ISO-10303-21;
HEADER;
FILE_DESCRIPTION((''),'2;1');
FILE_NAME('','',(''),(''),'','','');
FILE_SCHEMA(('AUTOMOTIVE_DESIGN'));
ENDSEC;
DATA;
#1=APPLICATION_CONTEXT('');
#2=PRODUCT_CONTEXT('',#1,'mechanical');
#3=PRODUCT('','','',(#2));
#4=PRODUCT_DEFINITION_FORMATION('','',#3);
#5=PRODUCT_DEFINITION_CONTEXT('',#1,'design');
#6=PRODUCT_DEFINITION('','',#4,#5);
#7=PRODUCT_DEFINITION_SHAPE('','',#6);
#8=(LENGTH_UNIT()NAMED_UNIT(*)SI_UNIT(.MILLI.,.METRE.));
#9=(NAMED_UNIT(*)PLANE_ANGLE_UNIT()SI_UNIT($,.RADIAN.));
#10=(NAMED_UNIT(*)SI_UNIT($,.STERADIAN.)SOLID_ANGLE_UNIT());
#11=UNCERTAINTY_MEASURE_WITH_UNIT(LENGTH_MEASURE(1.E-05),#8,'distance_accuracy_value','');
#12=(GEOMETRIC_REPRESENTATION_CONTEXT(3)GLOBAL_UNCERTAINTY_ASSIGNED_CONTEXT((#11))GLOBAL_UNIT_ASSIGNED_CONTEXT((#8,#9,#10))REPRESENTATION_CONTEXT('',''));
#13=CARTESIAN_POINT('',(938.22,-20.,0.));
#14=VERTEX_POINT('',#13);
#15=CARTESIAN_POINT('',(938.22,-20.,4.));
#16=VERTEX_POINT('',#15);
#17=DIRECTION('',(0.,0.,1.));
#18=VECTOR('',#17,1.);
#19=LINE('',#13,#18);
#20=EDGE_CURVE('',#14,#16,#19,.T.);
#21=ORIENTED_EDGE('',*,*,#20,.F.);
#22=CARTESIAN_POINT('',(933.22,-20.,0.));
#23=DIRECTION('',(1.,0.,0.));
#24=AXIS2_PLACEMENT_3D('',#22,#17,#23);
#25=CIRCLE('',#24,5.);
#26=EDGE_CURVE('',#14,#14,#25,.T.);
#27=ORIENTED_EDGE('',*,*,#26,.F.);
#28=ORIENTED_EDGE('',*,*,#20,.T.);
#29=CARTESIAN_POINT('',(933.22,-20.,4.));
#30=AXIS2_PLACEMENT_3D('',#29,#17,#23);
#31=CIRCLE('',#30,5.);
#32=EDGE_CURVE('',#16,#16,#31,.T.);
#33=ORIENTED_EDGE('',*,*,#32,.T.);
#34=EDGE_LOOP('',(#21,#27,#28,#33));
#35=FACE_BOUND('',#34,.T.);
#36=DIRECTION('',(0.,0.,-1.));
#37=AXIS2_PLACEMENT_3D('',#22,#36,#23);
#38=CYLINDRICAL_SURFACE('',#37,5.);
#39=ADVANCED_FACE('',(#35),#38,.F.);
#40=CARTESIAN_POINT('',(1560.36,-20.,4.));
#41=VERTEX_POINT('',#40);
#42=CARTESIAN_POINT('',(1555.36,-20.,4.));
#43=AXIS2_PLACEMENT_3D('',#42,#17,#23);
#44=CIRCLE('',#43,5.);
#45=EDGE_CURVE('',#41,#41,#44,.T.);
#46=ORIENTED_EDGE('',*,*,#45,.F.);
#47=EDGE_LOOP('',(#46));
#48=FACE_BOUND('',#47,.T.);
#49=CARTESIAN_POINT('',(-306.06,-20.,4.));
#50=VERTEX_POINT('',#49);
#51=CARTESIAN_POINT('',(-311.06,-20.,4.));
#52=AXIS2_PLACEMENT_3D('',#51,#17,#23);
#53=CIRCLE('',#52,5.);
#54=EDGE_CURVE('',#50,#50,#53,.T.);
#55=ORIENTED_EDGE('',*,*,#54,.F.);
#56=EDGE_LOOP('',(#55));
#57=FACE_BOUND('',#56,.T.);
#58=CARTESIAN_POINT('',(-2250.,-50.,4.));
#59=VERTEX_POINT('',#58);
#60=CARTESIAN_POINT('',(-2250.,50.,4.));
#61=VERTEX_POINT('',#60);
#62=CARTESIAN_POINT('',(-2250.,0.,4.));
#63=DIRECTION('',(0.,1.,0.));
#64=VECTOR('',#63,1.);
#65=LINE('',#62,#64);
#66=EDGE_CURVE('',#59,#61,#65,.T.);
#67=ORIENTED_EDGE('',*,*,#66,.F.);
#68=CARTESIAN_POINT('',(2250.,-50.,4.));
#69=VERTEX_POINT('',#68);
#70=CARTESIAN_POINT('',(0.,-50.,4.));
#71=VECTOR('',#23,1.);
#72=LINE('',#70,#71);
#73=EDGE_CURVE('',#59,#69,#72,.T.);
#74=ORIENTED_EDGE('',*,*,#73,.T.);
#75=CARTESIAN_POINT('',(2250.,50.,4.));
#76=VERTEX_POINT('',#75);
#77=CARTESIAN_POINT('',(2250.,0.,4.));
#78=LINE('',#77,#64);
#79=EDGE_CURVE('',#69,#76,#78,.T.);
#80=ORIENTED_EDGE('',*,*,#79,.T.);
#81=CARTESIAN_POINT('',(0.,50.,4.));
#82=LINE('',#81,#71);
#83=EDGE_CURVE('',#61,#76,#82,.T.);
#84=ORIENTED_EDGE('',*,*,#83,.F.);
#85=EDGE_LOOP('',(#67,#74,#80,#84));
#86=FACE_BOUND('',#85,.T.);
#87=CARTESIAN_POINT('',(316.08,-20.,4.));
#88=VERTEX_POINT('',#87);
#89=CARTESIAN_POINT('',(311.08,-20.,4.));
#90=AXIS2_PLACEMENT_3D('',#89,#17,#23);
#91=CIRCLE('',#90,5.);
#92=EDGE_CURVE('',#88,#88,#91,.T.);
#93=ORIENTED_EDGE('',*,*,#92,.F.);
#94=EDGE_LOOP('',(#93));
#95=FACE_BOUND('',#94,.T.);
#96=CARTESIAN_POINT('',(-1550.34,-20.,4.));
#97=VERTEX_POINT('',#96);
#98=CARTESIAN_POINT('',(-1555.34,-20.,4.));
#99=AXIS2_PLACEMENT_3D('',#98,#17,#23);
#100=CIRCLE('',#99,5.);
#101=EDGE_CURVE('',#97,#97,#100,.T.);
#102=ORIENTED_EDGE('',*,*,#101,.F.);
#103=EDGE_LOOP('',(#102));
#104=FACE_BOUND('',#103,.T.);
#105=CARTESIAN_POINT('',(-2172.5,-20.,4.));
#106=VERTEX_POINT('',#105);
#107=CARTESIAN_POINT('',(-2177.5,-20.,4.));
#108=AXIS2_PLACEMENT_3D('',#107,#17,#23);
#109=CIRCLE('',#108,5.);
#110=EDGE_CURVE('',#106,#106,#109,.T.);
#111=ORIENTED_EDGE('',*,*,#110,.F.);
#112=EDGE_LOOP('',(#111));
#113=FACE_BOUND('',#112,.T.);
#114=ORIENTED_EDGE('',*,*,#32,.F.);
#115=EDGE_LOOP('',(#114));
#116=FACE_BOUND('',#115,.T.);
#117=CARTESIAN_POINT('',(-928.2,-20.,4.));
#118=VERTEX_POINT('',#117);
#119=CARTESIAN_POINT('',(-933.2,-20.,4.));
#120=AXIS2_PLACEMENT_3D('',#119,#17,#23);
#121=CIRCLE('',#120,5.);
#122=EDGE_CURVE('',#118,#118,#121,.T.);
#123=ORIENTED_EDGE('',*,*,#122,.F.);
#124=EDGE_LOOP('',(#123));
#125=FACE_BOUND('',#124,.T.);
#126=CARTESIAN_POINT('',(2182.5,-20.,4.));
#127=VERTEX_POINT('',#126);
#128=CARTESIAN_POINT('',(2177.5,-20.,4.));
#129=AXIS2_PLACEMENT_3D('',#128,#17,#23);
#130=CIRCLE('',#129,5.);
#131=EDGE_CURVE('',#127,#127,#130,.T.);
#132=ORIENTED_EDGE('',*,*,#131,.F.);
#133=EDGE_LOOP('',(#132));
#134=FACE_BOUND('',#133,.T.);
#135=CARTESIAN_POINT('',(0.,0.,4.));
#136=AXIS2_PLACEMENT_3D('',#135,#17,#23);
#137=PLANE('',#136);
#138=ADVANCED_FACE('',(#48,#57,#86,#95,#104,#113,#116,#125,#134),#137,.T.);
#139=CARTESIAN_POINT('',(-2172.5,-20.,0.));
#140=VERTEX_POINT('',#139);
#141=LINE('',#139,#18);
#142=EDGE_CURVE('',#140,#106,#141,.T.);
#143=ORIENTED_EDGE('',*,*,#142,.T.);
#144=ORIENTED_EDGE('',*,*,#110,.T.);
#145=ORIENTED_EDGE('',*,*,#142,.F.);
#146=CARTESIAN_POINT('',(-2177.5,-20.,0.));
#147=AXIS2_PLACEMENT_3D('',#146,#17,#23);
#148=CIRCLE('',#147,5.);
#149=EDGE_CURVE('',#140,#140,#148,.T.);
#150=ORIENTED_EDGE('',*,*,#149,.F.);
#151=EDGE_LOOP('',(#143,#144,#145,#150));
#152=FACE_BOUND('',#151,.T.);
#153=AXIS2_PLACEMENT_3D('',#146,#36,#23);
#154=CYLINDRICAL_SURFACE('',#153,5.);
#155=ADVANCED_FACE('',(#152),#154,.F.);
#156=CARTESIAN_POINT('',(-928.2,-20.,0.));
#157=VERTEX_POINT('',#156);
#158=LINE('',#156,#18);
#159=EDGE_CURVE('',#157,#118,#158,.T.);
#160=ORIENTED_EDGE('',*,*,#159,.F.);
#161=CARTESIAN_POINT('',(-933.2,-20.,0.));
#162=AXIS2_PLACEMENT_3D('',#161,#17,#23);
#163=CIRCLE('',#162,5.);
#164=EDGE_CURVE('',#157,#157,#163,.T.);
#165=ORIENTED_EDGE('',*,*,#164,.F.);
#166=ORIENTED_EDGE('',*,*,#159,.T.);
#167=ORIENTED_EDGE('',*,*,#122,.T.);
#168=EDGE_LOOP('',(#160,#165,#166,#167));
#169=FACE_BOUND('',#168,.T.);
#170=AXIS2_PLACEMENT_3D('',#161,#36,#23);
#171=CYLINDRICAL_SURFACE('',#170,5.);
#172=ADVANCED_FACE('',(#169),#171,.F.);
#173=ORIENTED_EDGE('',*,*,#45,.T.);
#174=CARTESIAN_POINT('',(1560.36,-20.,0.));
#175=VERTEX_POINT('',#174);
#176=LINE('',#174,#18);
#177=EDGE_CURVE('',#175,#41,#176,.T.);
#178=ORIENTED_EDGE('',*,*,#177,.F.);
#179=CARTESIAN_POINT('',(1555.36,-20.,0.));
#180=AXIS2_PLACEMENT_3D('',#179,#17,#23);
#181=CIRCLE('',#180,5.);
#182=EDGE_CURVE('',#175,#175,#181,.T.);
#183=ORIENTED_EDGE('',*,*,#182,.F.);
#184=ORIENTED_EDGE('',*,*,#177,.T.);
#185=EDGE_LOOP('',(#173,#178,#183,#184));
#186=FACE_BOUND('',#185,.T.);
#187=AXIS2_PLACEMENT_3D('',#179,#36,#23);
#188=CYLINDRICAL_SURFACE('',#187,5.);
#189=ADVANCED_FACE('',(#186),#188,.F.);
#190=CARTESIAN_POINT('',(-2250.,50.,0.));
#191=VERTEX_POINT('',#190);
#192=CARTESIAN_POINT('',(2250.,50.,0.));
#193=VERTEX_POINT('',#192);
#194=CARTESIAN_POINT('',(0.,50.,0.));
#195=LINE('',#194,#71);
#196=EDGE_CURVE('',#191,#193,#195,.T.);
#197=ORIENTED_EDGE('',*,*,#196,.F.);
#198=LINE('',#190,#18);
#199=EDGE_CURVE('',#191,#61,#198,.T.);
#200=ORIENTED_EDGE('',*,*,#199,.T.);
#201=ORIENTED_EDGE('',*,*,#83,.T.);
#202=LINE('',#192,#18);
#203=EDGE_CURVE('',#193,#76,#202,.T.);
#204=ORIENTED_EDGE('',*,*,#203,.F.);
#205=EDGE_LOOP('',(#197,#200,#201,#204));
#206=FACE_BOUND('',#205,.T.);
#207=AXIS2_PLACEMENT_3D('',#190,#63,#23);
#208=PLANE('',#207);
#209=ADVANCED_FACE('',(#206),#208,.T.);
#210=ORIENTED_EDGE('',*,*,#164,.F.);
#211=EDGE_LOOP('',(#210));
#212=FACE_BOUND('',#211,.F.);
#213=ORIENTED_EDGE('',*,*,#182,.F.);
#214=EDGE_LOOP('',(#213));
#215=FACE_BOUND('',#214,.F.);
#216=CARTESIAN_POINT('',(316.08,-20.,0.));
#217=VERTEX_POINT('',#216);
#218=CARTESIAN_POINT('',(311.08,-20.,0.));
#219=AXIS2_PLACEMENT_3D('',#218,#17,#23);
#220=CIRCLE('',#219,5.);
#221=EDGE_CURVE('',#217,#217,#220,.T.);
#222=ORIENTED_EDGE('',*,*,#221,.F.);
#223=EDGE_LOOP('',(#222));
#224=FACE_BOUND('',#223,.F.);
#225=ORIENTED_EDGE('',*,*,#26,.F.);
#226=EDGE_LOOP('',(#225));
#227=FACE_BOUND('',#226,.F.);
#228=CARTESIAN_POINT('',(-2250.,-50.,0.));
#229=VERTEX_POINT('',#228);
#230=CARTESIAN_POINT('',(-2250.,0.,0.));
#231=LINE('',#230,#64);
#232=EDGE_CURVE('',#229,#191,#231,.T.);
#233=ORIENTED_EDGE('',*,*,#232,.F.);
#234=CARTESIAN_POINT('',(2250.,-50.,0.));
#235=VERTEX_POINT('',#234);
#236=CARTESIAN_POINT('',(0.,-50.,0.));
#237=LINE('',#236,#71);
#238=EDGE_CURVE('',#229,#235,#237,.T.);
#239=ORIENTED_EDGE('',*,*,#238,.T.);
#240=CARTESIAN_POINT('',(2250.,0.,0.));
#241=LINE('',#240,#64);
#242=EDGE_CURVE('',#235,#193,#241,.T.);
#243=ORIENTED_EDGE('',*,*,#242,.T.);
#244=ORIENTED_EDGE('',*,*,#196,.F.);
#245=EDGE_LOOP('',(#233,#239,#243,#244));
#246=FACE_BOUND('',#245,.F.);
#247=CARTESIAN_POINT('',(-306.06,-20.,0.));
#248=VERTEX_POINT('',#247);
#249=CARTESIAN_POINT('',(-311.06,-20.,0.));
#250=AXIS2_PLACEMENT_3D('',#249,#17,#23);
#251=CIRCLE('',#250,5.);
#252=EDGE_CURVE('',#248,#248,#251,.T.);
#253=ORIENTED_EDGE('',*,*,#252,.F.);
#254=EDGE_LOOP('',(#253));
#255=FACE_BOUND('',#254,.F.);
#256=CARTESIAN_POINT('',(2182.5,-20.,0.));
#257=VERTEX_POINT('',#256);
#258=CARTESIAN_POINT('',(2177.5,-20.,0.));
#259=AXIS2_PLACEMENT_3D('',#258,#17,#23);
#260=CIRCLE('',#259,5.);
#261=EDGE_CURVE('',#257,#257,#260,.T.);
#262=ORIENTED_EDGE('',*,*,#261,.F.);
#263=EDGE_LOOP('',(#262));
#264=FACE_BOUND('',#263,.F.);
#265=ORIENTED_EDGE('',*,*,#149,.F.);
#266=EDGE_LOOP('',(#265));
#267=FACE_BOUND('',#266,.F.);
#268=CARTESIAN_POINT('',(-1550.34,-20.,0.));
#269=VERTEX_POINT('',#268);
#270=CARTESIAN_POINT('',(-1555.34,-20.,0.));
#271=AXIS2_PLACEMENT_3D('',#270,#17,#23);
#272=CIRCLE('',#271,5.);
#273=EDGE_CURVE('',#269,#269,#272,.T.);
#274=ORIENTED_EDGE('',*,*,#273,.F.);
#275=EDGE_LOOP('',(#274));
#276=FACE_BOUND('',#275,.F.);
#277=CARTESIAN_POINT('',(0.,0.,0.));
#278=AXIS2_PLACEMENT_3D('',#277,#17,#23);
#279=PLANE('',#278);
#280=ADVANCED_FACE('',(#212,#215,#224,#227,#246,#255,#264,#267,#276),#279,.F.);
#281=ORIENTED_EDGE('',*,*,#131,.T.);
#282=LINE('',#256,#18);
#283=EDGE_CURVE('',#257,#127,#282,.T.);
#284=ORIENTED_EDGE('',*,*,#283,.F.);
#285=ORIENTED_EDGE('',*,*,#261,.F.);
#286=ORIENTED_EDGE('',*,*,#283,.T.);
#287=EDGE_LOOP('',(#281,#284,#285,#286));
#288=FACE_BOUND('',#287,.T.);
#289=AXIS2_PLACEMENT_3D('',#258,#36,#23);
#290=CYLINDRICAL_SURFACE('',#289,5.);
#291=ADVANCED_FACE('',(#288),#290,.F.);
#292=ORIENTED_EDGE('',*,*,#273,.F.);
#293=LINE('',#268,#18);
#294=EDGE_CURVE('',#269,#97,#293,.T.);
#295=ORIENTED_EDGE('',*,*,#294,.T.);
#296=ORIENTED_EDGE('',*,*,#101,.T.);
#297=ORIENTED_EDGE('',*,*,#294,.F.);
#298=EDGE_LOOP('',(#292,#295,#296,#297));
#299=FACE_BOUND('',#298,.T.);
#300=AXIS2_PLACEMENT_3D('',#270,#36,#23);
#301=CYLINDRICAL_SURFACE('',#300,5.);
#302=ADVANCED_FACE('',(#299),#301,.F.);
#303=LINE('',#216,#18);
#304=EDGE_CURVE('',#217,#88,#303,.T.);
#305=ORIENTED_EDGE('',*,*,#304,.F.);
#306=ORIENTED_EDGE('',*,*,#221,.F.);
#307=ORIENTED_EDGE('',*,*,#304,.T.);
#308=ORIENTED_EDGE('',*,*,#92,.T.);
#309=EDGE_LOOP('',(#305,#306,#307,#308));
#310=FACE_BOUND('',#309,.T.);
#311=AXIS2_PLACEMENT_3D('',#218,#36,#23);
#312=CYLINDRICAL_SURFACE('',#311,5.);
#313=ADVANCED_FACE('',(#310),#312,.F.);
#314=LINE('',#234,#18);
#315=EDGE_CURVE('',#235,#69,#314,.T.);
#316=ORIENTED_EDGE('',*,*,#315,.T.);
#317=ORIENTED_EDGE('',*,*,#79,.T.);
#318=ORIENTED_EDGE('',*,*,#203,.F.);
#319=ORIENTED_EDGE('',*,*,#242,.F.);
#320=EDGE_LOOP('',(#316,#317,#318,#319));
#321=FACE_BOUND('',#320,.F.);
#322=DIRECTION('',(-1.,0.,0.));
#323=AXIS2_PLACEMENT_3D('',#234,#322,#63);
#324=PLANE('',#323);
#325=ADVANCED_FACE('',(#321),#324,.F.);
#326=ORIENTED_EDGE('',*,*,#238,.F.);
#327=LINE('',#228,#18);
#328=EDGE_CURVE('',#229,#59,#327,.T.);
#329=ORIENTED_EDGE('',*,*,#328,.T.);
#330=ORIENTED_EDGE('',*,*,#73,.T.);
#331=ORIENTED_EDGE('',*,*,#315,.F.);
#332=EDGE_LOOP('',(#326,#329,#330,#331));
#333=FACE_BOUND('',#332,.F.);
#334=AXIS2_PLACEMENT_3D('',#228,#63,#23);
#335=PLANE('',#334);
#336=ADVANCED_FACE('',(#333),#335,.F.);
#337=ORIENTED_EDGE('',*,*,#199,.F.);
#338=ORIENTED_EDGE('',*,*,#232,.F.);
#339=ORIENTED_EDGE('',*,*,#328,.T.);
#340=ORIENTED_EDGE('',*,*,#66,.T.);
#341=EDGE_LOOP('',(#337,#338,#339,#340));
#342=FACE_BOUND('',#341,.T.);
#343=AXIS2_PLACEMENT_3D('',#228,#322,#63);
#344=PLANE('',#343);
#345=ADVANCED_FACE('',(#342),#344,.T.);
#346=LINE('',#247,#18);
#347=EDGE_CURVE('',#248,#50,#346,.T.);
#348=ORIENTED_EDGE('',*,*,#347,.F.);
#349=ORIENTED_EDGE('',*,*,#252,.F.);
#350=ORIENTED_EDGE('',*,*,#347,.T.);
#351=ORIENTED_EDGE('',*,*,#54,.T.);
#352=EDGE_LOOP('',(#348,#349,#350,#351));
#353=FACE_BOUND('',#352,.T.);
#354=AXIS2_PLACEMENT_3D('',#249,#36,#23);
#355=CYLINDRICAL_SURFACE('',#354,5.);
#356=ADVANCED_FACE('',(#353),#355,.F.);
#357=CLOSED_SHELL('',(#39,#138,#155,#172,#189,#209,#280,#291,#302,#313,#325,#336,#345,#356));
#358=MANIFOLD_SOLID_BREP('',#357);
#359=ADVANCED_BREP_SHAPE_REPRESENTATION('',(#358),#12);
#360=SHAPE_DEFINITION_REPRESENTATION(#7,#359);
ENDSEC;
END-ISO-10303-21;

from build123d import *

# Parameters (mm, degrees)
F0_W     = 4500
F0_H     = 100
F0_R     = 5
F1_DEPTH = 4


with BuildPart() as f1:
    # F0 (on Top) → F1 (new body)
    with BuildSketch(Plane.XY):
        Rectangle(F0_W, F0_H)
        with Locations((-2177.5, -20)):
            Circle(F0_R, mode=Mode.SUBTRACT)
        with Locations((-1555.34, -20)):
            Circle(F0_R, mode=Mode.SUBTRACT)
        with Locations((-933.2, -20)):
            Circle(F0_R, mode=Mode.SUBTRACT)
        with Locations((-311.06, -20)):
            Circle(F0_R, mode=Mode.SUBTRACT)
        with Locations((311.08, -20)):
            Circle(F0_R, mode=Mode.SUBTRACT)
        with Locations((933.22, -20)):
            Circle(F0_R, mode=Mode.SUBTRACT)
        with Locations((1555.36, -20)):
            Circle(F0_R, mode=Mode.SUBTRACT)
        with Locations((2177.5, -20)):
            Circle(F0_R, mode=Mode.SUBTRACT)
    extrude(amount=F1_DEPTH)


solid = f1.part
